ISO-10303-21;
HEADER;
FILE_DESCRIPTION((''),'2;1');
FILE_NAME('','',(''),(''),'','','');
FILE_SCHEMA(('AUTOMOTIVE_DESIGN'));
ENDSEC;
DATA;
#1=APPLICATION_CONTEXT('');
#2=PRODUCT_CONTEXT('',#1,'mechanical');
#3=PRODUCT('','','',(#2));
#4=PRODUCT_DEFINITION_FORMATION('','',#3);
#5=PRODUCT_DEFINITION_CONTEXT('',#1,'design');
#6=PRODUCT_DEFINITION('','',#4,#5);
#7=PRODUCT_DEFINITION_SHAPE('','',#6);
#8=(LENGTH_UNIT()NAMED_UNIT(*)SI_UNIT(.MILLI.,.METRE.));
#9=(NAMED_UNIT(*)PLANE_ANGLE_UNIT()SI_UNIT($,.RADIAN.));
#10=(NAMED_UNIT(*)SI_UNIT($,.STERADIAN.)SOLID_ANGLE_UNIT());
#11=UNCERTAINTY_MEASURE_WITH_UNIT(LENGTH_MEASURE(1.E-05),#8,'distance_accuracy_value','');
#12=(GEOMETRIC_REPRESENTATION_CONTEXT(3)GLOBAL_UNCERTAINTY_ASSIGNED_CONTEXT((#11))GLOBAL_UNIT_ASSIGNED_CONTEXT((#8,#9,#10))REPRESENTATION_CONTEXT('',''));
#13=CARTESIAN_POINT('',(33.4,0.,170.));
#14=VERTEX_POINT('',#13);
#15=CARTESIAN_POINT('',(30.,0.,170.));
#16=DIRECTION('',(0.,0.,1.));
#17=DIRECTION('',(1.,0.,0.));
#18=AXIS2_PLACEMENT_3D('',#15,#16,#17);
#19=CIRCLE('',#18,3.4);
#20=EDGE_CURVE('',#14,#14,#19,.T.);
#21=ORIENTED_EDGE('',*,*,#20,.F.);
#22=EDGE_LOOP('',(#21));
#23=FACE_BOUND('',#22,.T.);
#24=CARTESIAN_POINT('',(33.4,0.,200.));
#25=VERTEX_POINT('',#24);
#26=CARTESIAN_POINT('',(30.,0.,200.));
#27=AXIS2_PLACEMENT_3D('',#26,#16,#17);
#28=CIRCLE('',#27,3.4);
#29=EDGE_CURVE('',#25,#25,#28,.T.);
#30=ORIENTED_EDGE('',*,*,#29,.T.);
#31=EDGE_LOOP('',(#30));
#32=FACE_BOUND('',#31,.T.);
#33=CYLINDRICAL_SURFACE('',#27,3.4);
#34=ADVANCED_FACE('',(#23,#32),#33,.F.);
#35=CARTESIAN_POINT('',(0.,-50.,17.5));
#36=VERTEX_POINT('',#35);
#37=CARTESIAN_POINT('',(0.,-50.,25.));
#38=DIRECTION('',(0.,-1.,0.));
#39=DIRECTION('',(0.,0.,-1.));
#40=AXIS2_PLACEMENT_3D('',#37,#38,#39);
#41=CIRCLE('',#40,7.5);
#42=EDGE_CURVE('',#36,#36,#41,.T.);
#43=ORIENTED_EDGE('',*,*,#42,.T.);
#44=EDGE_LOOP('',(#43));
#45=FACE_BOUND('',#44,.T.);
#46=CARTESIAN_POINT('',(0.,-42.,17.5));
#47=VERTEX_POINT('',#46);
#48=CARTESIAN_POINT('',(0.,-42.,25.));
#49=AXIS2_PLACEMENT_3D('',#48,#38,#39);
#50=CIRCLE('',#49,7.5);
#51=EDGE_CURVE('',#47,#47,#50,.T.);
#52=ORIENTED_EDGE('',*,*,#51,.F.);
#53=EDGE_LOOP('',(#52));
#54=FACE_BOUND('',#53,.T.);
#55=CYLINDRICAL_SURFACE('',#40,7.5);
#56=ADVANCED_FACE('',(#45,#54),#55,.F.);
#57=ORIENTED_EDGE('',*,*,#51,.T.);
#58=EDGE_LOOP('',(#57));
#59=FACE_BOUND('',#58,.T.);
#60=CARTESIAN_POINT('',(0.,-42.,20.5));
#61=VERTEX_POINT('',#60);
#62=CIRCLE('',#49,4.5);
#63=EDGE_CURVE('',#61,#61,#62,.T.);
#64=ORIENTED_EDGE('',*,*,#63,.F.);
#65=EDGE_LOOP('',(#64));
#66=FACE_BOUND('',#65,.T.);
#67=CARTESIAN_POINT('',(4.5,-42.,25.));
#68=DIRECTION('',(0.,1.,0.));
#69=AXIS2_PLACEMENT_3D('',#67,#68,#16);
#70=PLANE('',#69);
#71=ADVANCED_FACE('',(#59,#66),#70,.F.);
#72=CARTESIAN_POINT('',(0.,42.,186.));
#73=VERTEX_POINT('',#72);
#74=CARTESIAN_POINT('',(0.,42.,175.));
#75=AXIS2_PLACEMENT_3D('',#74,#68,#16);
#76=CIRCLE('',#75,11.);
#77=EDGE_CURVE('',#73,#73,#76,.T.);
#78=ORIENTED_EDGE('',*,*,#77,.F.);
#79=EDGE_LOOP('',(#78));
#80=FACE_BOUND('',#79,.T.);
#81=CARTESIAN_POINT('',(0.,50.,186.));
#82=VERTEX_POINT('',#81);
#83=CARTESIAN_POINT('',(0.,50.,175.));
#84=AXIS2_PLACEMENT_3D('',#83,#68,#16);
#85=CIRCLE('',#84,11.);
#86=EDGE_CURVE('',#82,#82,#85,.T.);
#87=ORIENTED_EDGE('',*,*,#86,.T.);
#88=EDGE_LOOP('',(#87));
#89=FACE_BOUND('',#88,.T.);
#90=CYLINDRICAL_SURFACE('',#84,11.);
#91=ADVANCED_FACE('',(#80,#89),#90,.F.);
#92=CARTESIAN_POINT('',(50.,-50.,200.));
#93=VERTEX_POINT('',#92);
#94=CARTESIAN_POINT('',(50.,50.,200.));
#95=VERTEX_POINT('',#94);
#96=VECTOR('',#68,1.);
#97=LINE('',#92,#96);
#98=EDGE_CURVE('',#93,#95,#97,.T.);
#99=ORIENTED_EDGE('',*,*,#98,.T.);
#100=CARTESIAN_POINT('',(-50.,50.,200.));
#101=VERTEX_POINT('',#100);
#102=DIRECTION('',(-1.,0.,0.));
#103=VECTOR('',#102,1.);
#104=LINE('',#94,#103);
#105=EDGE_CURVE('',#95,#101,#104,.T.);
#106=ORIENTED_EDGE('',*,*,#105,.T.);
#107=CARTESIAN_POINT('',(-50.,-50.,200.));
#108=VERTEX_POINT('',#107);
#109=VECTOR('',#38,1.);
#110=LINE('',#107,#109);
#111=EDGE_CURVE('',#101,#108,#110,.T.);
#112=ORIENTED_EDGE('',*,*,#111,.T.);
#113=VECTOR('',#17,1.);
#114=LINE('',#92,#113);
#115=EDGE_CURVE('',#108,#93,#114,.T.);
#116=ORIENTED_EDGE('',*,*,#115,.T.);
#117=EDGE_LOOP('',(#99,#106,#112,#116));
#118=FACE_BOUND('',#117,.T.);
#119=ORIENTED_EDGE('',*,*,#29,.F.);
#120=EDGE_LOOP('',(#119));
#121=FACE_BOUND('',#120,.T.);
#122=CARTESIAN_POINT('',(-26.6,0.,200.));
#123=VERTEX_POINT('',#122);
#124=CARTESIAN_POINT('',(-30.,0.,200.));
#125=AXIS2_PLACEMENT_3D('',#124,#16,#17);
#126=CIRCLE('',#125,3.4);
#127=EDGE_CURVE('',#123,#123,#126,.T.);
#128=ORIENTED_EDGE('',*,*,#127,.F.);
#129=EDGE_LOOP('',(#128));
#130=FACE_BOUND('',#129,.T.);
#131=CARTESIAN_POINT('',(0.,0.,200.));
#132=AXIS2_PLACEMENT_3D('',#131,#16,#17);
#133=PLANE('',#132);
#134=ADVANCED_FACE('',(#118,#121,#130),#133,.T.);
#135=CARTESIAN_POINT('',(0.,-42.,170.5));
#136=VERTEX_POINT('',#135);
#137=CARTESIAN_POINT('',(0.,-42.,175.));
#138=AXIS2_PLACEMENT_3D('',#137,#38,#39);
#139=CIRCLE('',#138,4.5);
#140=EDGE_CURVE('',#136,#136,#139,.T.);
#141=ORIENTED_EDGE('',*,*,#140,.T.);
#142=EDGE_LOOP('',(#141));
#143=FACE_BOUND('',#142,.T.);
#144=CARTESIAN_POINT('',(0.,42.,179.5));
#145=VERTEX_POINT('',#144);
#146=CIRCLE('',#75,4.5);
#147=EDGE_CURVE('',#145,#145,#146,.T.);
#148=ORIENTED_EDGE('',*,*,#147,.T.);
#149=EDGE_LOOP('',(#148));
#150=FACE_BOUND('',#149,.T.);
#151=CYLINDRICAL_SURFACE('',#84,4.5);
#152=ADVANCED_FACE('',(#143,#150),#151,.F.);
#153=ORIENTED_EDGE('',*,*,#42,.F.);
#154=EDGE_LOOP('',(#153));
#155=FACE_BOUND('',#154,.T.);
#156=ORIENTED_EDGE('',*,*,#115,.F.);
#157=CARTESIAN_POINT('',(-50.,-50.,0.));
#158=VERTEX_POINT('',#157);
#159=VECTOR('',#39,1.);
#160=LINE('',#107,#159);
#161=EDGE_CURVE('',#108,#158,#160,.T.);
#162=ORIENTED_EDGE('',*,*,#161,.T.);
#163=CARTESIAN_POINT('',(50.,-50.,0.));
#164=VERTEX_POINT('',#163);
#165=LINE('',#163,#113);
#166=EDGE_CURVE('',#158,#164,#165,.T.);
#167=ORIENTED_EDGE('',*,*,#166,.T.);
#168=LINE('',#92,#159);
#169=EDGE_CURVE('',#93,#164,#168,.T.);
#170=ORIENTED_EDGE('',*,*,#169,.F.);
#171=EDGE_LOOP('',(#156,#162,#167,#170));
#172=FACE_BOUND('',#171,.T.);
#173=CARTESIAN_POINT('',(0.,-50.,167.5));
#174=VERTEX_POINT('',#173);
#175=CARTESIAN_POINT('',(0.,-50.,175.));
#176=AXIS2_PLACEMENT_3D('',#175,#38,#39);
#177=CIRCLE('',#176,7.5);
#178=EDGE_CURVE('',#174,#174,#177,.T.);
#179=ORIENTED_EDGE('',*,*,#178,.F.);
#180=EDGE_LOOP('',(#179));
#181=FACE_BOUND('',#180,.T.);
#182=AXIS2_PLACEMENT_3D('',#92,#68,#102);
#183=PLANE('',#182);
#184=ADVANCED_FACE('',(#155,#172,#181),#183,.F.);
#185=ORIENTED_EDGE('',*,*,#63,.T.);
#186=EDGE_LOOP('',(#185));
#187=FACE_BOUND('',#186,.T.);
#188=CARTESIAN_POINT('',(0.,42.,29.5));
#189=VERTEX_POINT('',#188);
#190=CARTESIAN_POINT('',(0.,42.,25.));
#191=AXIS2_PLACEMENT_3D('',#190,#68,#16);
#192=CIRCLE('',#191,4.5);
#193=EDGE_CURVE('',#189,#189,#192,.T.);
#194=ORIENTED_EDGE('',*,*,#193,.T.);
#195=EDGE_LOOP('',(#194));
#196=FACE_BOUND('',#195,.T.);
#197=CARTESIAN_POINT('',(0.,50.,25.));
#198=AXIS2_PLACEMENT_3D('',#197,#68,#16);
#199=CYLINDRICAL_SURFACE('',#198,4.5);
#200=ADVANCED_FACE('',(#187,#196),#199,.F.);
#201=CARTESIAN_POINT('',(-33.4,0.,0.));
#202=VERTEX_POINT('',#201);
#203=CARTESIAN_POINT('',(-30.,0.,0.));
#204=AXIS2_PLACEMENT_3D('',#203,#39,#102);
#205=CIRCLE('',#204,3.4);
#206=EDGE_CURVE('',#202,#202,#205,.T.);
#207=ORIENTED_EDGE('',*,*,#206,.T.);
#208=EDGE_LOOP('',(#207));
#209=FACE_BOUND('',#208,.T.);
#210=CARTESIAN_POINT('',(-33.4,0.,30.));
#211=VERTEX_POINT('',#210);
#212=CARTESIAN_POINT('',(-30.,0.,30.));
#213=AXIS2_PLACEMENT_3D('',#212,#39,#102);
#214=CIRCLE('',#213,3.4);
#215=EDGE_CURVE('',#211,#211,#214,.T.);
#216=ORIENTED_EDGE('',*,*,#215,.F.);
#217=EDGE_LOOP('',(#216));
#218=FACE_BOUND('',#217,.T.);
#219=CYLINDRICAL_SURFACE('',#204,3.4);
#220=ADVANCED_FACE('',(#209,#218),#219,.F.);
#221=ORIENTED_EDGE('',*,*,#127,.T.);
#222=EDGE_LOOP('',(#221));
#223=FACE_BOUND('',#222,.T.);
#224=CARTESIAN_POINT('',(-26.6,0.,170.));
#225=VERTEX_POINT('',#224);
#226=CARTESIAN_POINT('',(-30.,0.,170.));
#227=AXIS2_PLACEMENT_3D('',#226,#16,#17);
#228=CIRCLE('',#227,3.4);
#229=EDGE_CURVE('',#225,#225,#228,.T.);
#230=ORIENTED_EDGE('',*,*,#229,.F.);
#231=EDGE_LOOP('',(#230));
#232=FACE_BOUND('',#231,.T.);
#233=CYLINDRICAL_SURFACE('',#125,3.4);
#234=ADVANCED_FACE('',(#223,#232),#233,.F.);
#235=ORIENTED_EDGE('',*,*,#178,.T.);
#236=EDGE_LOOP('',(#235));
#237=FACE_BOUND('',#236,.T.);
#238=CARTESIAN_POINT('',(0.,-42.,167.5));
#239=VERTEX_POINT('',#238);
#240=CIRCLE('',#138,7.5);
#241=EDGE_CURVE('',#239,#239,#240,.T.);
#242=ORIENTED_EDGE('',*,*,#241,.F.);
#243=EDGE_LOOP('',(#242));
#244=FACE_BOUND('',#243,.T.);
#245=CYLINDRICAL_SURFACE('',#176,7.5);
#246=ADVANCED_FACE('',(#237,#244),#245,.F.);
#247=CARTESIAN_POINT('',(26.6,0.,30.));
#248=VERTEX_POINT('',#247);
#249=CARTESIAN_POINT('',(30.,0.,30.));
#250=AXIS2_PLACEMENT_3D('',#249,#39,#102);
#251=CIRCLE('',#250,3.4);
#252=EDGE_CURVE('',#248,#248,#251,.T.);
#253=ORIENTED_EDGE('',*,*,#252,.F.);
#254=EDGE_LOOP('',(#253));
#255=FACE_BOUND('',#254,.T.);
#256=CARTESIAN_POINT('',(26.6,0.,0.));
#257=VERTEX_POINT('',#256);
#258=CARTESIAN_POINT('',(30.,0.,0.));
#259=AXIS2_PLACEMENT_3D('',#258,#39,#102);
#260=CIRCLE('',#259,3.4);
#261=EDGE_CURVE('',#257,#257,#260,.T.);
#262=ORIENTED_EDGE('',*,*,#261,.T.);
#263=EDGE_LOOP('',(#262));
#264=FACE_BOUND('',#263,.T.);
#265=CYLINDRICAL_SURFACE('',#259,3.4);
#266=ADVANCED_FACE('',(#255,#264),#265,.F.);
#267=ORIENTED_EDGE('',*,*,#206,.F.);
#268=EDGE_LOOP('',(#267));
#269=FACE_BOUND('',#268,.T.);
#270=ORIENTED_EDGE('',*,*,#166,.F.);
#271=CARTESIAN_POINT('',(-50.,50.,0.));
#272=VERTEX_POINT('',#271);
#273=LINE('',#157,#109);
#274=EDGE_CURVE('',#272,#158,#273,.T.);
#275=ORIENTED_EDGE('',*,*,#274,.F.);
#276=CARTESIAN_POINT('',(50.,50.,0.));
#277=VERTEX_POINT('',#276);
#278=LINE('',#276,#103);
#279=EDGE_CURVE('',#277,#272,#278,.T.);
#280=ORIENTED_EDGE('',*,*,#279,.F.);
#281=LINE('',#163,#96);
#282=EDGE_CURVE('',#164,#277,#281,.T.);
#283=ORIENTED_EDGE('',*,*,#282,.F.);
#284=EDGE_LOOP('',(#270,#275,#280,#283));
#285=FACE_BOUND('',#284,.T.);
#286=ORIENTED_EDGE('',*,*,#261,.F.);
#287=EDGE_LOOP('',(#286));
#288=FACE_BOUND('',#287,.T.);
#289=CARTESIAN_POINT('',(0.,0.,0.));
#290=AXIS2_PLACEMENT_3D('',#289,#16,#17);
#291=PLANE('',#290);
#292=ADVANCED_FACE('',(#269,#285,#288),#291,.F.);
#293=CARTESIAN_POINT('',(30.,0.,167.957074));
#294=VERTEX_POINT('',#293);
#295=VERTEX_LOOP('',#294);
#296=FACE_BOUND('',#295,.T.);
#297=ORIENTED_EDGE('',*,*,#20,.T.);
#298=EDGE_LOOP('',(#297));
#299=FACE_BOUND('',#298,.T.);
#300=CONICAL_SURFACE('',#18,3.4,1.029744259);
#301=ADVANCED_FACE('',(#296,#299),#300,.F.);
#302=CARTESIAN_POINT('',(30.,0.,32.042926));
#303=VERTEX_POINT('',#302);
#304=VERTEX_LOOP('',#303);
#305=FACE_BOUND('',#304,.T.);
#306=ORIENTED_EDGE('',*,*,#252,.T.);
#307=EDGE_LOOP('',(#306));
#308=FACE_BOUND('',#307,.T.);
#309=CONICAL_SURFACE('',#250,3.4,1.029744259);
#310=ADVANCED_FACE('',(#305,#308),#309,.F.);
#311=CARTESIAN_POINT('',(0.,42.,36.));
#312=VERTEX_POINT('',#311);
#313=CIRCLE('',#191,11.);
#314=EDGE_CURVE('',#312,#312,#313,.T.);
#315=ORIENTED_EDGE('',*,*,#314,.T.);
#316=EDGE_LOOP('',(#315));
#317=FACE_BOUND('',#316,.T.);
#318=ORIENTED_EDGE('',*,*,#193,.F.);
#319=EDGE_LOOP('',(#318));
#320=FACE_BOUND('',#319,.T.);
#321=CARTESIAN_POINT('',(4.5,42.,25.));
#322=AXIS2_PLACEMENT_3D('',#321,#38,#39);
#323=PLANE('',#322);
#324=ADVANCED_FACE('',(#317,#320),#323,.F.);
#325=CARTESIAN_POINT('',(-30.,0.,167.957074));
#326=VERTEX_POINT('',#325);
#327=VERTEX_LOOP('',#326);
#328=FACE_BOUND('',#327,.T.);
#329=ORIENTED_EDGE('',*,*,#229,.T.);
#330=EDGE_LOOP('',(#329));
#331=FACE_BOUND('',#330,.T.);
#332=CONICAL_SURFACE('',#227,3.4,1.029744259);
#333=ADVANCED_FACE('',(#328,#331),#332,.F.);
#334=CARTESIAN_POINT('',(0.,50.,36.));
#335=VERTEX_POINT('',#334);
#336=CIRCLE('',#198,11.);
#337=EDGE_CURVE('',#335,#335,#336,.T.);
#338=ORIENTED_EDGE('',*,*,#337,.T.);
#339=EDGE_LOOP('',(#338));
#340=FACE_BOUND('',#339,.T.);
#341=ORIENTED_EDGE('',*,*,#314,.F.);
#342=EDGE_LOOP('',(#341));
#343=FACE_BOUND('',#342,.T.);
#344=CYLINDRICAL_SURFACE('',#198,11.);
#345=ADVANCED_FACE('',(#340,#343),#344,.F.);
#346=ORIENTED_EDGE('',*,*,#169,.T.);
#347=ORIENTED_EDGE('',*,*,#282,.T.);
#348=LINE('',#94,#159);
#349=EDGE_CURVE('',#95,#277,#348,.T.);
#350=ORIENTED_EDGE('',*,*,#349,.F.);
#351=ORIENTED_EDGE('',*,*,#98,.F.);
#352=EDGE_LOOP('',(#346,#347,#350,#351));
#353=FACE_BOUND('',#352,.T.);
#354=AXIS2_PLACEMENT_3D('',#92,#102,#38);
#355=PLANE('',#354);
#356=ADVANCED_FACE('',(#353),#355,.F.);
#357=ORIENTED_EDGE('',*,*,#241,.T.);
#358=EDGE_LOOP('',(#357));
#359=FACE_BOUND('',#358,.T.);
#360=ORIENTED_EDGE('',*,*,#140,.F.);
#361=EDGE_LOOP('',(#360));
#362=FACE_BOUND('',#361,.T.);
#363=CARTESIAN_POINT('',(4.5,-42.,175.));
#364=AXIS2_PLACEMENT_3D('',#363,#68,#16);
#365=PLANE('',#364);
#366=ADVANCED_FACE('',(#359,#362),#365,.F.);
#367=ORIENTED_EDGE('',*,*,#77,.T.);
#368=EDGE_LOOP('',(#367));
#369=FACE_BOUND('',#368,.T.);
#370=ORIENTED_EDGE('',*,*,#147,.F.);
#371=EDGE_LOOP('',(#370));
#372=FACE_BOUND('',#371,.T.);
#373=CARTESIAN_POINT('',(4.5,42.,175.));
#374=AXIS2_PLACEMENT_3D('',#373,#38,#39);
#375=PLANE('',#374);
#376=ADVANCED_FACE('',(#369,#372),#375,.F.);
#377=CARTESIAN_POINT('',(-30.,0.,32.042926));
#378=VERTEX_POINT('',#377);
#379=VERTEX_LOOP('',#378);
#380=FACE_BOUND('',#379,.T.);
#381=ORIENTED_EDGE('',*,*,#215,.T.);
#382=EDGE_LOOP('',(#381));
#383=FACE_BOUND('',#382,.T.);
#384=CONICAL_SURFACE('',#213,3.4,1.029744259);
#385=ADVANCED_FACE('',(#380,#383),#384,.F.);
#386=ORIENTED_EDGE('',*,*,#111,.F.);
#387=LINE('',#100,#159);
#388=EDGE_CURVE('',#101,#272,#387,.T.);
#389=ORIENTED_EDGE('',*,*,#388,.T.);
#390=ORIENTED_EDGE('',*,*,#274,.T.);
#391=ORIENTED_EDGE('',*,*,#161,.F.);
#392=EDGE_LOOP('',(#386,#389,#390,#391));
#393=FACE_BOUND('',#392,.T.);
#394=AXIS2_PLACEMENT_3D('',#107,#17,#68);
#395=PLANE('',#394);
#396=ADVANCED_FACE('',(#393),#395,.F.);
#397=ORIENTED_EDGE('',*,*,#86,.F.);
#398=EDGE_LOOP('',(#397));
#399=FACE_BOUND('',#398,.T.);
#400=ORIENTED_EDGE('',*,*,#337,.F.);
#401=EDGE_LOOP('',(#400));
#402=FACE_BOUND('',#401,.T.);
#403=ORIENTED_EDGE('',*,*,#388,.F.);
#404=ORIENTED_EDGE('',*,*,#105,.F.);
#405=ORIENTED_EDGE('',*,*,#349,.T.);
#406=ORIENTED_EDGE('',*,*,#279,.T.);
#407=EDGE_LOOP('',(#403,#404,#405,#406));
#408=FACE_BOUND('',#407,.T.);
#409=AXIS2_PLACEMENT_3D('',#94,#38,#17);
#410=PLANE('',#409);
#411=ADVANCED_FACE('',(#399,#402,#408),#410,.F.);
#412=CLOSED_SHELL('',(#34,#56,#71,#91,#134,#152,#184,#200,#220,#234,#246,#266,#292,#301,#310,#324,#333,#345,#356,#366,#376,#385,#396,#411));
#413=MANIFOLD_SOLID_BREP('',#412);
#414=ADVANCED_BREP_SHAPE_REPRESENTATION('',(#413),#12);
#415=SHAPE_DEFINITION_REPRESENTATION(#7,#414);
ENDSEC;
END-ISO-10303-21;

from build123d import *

# Parameters (mm, degrees)
SKIZZE1_W                                           = 100
SKIZZE1_H                                           = 100
AUFSATZ_LINEAR_AUSTRAGEN1_DEPTH                     = 200
STIRNSENKUNG_F_R_M8_SENKSCHRAUBE_KOPF_B_D           = 9
STIRNSENKUNG_F_R_M8_SENKSCHRAUBE_KOPF_B_CBORE_D     = 22
STIRNSENKUNG_F_R_M8_SENKSCHRAUBE_KOPF_B_CBORE_DEPTH = 8
KERNLOCH_F_R_M8X1_252_D                             = 6.8
KERNLOCH_F_R_M8X1_252_DEPTH                         = 30
KERNLOCH_F_R_M8X1_252_TIP                           = 2.042926105
KERNLOCH_F_R_M81_D                                  = 6.8
KERNLOCH_F_R_M81_DEPTH                              = 30
KERNLOCH_F_R_M81_TIP                                = 2.042926105
STIRNSENKUNG_F_R_M8_SENKSCHRAUBE_KO_2_D             = 9
STIRNSENKUNG_F_R_M8_SENKSCHRAUBE_KO_2_CBORE_D       = 15
STIRNSENKUNG_F_R_M8_SENKSCHRAUBE_KO_2_CBORE_DEPTH   = 8


with BuildPart() as part:
    # Skizze1 → Aufsatz-Linear austragen1 (new body)
    with BuildSketch(Plane.XY):
        Rectangle(SKIZZE1_W, SKIZZE1_H)
    extrude(amount=AUFSATZ_LINEAR_AUSTRAGEN1_DEPTH)

    # Stirnsenkung f_r M8 Senkschraube _Kopf B (through all)
    with Locations(Plane(origin=(0, 50, 0), x_dir=(1, 0, 0), z_dir=(0, 1, 0))):
        with Locations((0, -175)):
            stirnsenkung_f_r_m8_senkschraube_kopf_b = CounterBoreHole(STIRNSENKUNG_F_R_M8_SENKSCHRAUBE_KOPF_B_D / 2, STIRNSENKUNG_F_R_M8_SENKSCHRAUBE_KOPF_B_CBORE_D / 2, STIRNSENKUNG_F_R_M8_SENKSCHRAUBE_KOPF_B_CBORE_DEPTH)

    # Spiegeln1: Stirnsenkung f_r M8 Senkschraube _Kopf B across plane
    add(stirnsenkung_f_r_m8_senkschraube_kopf_b.mirror(Plane.XY.offset(100)), mode=Mode.SUBTRACT)

    # Kernloch für M8x1.252
    with Locations(Plane(origin=(0, 0, 0), x_dir=(-1, 0, 0), z_dir=(0, 0, -1))):
        with Locations((-30, 0), (30, 0)):
            Hole(KERNLOCH_F_R_M8X1_252_D / 2, depth=KERNLOCH_F_R_M8X1_252_DEPTH)
            with Locations((0, 0, -(KERNLOCH_F_R_M8X1_252_DEPTH + KERNLOCH_F_R_M8X1_252_TIP / 2))):  # 118° drill point
                Cone(0, KERNLOCH_F_R_M8X1_252_D / 2, KERNLOCH_F_R_M8X1_252_TIP, mode=Mode.SUBTRACT)

    # Kernloch für M81
    with Locations(Plane.XY.offset(200)):
        with Locations((30, 0), (-30, 0)):
            Hole(KERNLOCH_F_R_M81_D / 2, depth=KERNLOCH_F_R_M81_DEPTH)
            with Locations((0, 0, -(KERNLOCH_F_R_M81_DEPTH + KERNLOCH_F_R_M81_TIP / 2))):  # 118° drill point
                Cone(0, KERNLOCH_F_R_M81_D / 2, KERNLOCH_F_R_M81_TIP, mode=Mode.SUBTRACT)

    # Stirnsenkung f_r M8 Senkschraube _Ko 2 (through all)
    with Locations(Plane(origin=(0, -50, 0), x_dir=(-1, 0, 0), z_dir=(0, -1, 0))):
        with Locations((0, -175), (0, -25)):
            CounterBoreHole(STIRNSENKUNG_F_R_M8_SENKSCHRAUBE_KO_2_D / 2, STIRNSENKUNG_F_R_M8_SENKSCHRAUBE_KO_2_CBORE_D / 2, STIRNSENKUNG_F_R_M8_SENKSCHRAUBE_KO_2_CBORE_DEPTH)


solid = part.part
